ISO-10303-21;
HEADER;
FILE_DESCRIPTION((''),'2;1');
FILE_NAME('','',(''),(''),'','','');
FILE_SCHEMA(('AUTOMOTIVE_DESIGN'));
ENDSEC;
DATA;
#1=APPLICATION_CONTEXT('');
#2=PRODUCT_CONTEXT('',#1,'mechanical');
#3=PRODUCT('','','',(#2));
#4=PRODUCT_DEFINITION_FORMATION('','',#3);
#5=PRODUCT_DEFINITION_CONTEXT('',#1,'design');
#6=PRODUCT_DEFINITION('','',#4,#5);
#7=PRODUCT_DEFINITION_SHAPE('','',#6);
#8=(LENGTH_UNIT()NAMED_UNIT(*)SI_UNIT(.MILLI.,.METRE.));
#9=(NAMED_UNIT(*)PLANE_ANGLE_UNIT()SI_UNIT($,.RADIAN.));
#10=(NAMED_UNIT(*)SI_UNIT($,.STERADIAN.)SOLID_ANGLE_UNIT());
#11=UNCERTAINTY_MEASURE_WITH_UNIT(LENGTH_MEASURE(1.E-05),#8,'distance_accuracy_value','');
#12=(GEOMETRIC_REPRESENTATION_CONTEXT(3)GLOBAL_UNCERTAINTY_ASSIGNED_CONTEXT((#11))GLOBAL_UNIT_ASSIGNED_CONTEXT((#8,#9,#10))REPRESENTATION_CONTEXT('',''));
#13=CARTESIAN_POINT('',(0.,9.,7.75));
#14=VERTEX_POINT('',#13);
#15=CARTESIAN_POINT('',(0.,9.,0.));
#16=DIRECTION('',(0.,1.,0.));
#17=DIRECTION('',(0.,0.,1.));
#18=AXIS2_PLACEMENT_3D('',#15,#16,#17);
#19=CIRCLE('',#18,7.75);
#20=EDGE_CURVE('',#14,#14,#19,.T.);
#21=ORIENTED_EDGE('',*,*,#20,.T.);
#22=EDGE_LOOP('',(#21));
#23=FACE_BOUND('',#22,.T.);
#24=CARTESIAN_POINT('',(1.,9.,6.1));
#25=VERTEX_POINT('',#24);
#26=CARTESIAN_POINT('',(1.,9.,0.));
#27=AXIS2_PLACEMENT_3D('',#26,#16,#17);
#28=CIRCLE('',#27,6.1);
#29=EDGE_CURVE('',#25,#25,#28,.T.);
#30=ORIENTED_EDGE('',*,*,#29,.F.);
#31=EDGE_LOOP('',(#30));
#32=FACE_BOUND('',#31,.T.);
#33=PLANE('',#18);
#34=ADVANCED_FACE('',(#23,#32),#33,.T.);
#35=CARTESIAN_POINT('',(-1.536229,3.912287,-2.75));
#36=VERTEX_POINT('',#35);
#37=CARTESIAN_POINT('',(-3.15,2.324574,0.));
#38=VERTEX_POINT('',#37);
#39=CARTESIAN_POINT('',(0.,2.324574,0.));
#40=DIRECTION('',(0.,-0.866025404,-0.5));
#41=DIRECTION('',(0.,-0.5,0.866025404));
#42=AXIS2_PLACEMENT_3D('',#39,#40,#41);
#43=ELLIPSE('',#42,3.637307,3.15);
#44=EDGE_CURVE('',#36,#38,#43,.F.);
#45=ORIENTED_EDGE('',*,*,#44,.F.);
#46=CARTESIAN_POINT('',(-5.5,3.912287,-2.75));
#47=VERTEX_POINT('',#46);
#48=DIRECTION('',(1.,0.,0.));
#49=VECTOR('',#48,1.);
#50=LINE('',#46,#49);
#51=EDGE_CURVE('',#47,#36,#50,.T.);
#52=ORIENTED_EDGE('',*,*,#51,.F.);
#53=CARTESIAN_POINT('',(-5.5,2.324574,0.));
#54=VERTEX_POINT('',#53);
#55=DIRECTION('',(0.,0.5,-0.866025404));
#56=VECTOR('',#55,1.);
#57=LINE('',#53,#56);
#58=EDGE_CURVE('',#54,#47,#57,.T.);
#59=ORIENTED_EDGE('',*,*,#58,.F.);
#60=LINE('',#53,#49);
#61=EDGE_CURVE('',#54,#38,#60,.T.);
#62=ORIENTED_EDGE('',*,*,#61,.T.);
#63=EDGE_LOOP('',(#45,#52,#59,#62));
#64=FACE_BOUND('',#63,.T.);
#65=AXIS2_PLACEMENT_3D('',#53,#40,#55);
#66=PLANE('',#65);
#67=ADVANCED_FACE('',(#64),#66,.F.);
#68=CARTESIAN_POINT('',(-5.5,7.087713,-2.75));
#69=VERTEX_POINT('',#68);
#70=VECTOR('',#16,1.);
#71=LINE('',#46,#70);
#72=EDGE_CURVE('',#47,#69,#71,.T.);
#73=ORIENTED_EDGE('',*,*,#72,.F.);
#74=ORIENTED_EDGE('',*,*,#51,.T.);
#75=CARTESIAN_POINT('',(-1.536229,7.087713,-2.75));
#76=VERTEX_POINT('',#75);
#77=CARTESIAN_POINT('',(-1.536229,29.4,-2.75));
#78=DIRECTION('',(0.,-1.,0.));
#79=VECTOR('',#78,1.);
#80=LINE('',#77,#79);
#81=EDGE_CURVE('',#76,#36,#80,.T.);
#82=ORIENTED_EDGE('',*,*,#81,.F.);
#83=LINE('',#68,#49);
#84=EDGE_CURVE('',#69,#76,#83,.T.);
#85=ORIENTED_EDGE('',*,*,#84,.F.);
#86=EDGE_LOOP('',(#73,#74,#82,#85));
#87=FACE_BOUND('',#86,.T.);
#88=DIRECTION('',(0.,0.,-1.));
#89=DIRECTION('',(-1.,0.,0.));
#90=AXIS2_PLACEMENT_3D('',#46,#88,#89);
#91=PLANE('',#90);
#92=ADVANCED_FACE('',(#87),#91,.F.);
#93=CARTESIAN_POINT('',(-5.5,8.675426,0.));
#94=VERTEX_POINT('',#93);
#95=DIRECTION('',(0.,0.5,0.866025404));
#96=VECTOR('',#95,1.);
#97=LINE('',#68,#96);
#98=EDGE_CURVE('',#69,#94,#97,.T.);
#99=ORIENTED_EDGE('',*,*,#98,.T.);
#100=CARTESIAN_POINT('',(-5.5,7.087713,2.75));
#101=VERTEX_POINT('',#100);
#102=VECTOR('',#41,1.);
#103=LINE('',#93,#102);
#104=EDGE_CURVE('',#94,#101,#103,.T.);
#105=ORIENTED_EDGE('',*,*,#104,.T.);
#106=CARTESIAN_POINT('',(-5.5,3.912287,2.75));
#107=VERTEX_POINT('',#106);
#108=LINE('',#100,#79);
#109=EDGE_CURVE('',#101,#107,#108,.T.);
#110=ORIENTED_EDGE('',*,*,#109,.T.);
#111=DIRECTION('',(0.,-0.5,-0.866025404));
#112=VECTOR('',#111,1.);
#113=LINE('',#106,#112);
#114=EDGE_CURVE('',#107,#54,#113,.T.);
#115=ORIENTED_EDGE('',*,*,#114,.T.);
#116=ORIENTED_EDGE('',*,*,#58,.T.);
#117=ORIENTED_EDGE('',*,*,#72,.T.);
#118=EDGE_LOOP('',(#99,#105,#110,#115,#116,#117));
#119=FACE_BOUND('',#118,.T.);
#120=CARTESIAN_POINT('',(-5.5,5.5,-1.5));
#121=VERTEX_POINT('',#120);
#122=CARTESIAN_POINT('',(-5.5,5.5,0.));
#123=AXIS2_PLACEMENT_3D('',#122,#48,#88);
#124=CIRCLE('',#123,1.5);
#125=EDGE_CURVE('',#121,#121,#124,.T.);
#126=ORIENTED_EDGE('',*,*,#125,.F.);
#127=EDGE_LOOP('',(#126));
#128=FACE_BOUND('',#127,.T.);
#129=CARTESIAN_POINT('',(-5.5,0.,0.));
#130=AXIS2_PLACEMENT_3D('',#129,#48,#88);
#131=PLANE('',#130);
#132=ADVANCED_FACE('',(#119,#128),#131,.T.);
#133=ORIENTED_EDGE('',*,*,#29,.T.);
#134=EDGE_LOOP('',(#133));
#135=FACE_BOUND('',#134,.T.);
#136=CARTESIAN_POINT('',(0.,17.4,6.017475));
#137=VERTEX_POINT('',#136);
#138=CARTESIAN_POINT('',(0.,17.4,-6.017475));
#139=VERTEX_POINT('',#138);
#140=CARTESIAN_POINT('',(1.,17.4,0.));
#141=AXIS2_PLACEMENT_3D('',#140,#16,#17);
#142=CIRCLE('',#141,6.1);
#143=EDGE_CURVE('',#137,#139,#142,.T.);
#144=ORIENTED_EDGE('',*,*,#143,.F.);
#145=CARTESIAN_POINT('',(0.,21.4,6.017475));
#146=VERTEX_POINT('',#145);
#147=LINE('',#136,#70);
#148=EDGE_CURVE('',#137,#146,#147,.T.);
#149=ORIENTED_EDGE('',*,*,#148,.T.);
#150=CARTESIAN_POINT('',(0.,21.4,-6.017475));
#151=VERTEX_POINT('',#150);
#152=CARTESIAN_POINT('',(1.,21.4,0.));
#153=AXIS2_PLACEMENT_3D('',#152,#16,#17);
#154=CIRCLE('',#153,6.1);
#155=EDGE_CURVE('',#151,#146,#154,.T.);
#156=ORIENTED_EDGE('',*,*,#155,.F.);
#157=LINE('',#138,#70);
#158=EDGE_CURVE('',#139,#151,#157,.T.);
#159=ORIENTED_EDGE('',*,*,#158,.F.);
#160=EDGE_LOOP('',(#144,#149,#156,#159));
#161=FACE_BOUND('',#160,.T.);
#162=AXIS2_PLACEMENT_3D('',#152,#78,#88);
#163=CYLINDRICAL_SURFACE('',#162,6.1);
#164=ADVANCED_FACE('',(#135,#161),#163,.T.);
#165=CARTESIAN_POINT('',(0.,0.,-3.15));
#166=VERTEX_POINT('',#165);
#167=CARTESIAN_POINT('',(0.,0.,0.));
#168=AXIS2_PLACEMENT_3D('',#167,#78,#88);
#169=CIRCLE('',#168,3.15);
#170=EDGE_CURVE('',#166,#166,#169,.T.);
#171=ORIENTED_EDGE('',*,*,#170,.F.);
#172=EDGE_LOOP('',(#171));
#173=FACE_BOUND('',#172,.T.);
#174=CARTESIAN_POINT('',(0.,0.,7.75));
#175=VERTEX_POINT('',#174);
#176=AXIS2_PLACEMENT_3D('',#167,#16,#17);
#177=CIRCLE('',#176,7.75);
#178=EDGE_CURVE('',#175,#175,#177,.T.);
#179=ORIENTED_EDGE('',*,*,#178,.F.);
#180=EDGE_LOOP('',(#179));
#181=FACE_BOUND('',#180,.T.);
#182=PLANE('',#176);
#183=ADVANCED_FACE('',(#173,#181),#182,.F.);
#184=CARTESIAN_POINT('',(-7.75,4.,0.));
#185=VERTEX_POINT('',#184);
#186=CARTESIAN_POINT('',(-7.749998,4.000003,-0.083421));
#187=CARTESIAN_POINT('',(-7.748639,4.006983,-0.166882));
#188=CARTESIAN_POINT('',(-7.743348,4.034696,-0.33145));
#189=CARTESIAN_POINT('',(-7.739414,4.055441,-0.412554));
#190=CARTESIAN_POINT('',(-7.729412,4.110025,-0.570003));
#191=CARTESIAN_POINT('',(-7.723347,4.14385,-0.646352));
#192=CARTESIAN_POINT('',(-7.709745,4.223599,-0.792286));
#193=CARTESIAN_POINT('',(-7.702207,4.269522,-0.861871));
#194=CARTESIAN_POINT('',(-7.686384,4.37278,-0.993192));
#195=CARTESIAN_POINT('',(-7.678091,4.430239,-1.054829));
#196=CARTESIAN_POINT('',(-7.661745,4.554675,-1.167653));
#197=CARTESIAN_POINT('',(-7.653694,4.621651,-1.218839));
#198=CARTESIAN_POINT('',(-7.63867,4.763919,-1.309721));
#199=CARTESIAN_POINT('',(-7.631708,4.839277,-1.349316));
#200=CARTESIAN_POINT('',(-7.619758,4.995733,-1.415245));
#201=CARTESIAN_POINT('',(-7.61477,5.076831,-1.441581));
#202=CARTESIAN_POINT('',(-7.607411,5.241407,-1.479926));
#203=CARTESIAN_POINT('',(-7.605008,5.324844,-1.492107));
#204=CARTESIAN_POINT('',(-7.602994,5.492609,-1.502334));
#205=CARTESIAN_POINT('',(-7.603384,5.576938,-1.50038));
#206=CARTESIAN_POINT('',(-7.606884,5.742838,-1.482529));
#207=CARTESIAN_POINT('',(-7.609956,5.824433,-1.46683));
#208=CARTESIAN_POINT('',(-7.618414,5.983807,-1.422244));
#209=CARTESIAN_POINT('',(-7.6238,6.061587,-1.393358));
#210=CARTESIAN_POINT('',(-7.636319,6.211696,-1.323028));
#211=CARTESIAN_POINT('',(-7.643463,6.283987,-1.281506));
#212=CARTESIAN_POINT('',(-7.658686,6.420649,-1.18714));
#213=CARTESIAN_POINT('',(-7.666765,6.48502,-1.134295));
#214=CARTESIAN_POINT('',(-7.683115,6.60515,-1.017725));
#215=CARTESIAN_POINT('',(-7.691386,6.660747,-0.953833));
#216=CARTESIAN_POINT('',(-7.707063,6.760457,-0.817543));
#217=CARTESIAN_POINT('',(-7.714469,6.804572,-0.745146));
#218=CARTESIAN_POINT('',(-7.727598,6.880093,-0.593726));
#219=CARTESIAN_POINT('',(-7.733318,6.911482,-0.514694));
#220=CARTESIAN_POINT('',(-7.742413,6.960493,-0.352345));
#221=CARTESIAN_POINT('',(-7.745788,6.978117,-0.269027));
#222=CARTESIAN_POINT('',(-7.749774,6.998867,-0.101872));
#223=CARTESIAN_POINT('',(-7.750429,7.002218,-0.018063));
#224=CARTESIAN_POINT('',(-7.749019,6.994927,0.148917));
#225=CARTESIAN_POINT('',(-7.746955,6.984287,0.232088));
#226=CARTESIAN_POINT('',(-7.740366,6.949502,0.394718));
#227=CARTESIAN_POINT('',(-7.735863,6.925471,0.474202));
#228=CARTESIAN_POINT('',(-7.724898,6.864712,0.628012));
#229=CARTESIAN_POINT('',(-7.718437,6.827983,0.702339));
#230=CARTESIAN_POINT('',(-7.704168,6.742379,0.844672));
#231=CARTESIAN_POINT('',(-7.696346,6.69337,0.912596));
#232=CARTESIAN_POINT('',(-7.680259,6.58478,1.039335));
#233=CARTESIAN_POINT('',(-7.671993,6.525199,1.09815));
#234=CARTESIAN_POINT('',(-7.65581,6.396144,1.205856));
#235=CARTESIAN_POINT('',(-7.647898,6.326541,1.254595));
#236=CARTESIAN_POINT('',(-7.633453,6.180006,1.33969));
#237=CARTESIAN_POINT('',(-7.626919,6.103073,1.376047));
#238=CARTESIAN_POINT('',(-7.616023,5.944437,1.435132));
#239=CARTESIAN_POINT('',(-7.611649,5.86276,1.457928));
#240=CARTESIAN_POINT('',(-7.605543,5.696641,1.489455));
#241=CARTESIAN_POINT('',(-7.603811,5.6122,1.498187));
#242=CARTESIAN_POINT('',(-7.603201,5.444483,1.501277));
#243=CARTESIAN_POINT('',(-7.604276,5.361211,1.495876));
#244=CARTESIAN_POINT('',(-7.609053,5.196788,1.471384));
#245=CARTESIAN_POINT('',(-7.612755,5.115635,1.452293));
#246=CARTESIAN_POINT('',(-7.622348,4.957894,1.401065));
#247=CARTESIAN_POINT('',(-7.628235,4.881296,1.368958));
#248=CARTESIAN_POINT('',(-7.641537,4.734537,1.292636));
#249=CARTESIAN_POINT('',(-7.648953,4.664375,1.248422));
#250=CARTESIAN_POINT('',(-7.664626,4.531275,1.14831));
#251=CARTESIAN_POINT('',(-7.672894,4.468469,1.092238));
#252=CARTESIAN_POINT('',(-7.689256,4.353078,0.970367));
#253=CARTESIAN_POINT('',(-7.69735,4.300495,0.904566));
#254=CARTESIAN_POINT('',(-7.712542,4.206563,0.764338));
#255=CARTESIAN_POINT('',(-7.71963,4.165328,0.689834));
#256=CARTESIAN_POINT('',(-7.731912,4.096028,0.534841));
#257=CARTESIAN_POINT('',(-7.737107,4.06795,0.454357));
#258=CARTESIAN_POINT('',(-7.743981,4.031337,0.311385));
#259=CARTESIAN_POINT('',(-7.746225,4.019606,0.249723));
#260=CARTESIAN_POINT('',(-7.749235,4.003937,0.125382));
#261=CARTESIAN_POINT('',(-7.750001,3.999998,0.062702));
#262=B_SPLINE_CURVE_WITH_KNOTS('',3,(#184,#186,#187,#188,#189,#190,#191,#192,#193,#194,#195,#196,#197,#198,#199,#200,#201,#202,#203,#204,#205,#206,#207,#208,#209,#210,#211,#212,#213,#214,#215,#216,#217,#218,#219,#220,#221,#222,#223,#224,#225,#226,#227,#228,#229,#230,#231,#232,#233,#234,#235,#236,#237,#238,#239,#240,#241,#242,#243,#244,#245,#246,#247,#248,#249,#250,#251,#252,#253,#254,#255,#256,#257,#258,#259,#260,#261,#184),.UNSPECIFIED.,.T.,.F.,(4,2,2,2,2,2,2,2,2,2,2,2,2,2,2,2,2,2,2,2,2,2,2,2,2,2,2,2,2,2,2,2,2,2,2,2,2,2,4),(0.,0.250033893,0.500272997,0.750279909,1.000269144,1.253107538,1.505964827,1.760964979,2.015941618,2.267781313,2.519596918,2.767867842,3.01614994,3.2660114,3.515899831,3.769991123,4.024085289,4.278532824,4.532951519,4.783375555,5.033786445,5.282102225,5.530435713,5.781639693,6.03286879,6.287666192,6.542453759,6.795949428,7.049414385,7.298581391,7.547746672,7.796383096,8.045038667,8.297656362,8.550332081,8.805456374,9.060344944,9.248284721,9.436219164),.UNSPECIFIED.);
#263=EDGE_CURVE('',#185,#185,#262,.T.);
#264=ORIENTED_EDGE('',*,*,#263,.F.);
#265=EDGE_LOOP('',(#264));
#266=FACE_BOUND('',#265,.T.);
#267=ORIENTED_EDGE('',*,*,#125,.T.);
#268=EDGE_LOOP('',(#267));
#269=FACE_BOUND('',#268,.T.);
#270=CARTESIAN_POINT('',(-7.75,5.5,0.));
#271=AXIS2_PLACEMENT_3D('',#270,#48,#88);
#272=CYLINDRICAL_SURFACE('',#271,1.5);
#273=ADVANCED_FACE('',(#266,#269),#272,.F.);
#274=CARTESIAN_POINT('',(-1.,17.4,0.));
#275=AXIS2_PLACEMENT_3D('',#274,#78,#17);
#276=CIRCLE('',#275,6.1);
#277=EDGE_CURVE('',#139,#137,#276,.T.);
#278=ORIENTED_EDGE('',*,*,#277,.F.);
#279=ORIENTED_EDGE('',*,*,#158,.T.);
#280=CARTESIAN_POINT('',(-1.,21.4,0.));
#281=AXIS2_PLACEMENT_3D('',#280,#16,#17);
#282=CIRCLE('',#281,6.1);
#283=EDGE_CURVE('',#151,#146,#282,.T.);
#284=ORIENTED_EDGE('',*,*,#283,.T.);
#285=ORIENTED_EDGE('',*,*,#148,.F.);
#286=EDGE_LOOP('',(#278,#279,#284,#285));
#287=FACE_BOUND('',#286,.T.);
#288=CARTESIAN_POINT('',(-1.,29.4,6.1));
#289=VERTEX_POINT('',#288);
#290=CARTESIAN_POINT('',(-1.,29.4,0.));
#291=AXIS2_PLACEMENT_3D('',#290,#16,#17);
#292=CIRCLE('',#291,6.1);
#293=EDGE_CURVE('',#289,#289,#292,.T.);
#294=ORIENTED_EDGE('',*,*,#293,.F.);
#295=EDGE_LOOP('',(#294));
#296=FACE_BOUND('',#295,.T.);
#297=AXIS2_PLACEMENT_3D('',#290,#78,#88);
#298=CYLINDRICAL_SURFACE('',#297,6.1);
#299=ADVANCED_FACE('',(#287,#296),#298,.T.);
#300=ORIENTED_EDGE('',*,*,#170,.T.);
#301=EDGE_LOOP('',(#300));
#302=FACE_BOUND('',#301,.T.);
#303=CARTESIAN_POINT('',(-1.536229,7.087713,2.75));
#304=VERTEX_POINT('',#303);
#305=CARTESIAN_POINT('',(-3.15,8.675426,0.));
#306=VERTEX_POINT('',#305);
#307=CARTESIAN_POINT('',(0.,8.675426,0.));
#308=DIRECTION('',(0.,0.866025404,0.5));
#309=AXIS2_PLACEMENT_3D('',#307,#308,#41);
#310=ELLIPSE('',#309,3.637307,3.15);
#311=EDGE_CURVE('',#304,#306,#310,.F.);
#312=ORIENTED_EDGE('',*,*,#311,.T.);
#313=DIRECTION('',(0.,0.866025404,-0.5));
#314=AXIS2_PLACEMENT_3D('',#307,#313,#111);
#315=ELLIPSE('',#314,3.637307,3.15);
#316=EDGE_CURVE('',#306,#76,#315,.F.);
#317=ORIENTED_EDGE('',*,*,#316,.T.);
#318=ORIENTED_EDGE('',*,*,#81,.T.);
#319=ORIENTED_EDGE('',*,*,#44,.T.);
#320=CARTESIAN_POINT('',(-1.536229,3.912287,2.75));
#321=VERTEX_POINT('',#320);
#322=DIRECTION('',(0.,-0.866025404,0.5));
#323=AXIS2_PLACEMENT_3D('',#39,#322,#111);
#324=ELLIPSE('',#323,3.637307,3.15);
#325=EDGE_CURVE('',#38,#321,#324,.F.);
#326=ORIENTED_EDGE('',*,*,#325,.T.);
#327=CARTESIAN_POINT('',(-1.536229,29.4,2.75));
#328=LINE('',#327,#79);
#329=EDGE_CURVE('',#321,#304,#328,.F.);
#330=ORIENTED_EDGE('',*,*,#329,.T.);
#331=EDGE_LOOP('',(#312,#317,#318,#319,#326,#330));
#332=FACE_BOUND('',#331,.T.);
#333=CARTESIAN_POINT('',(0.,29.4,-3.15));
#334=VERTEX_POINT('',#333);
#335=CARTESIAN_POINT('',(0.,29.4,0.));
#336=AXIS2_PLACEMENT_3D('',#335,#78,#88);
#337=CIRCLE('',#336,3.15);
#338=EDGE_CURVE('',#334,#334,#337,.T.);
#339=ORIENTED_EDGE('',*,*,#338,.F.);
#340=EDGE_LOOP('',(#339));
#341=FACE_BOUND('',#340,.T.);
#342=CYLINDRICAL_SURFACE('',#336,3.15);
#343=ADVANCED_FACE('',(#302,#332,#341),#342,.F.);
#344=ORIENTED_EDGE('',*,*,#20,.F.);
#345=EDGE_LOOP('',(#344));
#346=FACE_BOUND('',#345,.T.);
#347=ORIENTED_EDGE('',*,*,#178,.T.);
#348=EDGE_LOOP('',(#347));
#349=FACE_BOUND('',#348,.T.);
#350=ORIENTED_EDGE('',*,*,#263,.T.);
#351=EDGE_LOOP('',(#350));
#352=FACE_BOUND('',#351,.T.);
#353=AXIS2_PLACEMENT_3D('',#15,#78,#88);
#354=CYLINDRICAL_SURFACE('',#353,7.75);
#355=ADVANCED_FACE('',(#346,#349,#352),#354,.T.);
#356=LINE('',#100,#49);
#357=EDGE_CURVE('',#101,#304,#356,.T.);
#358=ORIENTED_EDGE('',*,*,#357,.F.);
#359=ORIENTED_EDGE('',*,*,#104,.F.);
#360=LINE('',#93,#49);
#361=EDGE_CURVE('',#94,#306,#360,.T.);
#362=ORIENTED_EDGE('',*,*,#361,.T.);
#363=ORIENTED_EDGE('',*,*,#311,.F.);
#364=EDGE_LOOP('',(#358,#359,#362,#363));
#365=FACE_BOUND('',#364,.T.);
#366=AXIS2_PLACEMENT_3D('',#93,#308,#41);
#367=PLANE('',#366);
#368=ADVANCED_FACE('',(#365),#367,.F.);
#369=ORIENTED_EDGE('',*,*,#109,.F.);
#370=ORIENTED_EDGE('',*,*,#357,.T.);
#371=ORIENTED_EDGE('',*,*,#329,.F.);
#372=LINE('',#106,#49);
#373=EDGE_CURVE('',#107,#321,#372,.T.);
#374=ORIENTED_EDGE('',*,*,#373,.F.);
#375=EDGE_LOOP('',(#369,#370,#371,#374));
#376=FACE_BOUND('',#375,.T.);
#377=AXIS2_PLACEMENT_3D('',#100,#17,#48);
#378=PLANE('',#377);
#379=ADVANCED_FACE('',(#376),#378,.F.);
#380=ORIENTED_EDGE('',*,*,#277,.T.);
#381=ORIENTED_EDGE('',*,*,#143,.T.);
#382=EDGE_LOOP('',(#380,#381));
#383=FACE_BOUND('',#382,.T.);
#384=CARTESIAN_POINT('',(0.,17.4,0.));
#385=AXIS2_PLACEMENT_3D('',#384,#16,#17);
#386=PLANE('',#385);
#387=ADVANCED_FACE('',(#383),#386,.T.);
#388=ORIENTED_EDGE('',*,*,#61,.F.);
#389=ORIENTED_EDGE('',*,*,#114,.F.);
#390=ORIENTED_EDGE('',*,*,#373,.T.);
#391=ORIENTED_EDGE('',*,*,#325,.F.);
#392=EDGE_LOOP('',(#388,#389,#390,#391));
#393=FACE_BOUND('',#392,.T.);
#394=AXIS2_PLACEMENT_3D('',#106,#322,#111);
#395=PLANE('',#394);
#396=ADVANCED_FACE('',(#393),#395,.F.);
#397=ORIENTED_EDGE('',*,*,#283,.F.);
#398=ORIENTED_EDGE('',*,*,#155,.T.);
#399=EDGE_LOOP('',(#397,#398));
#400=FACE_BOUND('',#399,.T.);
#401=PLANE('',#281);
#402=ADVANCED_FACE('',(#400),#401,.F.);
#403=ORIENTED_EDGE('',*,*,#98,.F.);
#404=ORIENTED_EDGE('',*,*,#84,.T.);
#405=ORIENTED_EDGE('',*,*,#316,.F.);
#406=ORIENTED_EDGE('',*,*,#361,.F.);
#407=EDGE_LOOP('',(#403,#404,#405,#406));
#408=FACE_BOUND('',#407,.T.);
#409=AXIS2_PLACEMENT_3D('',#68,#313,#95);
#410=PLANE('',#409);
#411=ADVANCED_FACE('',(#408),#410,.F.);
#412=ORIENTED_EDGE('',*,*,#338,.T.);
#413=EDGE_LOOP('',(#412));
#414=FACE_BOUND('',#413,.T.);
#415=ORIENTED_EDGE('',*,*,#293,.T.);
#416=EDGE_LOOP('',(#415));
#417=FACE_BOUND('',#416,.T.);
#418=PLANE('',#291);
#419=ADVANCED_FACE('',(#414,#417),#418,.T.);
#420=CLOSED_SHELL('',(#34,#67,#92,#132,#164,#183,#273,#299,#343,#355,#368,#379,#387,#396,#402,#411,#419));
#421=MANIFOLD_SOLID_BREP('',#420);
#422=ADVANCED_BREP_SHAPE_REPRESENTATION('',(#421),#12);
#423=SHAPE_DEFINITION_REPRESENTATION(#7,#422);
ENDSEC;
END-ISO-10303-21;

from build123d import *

# Parameters (mm, degrees)
SKETCH1_R           = 7.75
BOSS_EXTRUDE1_DEPTH = 9
SKETCH2_R           = 6.1
BOSS_EXTRUDE2_DEPTH = 12.4
SKETCH4_R           = 6.1
BOSS_EXTRUDE4_DEPTH = 8
SKETCH5_R           = 3.15
CUT_EXTRUDE1_DEPTH  = 32.376503948
SKETCH8_R           = 1.5
CUT_EXTRUDE3_DEPTH  = 32.376503948
SKETCH10_R          = 1.5
CUT_EXTRUDE4_DEPTH  = 5.5
CUT_EXTRUDE5_START  = -4
CUT_EXTRUDE5_DEPTH  = 4


with BuildPart() as part:
    # Sketch1 → Boss-Extrude1 (new body)
    with BuildSketch(Plane(origin=(0, 0, 0), x_dir=(1, 0, 0), z_dir=(0, 1, 0))):
        with Locations(Location((0, 0, 0), (0, 0, 270))):
            Circle(SKETCH1_R)
    extrude(amount=BOSS_EXTRUDE1_DEPTH)

    # Sketch2 → Boss-Extrude2 (add)
    with BuildSketch(Plane(origin=(0, 9, 0), x_dir=(1, 0, 0), z_dir=(0, 1, 0))):
        with Locations(Location((1, 0, 0), (0, 0, 90))):
            Circle(SKETCH2_R)
    extrude(amount=BOSS_EXTRUDE2_DEPTH)

    # Sketch4 → Boss-Extrude4 (add)
    with BuildSketch(Plane(origin=(0, 21.4, 0), x_dir=(1, 0, 0), z_dir=(0, 1, 0))):
        with Locations(Location((-1, 0, 0), (0, 0, 80.564661277))):
            Circle(SKETCH4_R)
    extrude(amount=BOSS_EXTRUDE4_DEPTH)

    # Sketch5 → Cut-Extrude1 (cut, through all)
    with BuildSketch(Plane.XZ):
        with Locations(Location((0, 0, 0), (0, 0, 270))):
            Circle(SKETCH5_R)
    extrude(amount=-CUT_EXTRUDE1_DEPTH, mode=Mode.SUBTRACT)

    # Sketch8 → Cut-Extrude3 (cut, through all)
    with BuildSketch(Plane(origin=(0, 0, 0), x_dir=(0, 0, -1), z_dir=(1, 0, 0))):
        with Locations((0, 5.5)):
            Circle(SKETCH8_R)
    extrude(amount=-CUT_EXTRUDE3_DEPTH, mode=Mode.SUBTRACT)

    # Sketch10 → Cut-Extrude4 (cut)
    with BuildSketch(Plane(origin=(0, 0, 0), x_dir=(0, 0, -1), z_dir=(1, 0, 0))):
        Polygon((0, 8.675426481), (-2.75, 7.08771324), (-2.75, 3.91228676), (0, 2.324573519), (2.75, 3.91228676), (2.75, 7.08771324), align=None)
        with Locations((0, 5.5)):
            Circle(SKETCH10_R, mode=Mode.SUBTRACT)
    extrude(amount=-CUT_EXTRUDE4_DEPTH, mode=Mode.SUBTRACT)

    # Sketch11 → Cut-Extrude5 (cut)
    with BuildSketch(Plane(origin=(0, 21.4, 0), x_dir=(1, 0, 0), z_dir=(0, 1, 0)).offset(CUT_EXTRUDE5_START)):
        with BuildLine():
            ThreePointArc((0, -6.017474553), (5.1, 0), (0, 6.017474553))
            ThreePointArc((0, 6.017474553), (7.1, 0), (0, -6.017474553))
        make_face()
    extrude(amount=CUT_EXTRUDE5_DEPTH, mode=Mode.SUBTRACT)


solid = part.part
